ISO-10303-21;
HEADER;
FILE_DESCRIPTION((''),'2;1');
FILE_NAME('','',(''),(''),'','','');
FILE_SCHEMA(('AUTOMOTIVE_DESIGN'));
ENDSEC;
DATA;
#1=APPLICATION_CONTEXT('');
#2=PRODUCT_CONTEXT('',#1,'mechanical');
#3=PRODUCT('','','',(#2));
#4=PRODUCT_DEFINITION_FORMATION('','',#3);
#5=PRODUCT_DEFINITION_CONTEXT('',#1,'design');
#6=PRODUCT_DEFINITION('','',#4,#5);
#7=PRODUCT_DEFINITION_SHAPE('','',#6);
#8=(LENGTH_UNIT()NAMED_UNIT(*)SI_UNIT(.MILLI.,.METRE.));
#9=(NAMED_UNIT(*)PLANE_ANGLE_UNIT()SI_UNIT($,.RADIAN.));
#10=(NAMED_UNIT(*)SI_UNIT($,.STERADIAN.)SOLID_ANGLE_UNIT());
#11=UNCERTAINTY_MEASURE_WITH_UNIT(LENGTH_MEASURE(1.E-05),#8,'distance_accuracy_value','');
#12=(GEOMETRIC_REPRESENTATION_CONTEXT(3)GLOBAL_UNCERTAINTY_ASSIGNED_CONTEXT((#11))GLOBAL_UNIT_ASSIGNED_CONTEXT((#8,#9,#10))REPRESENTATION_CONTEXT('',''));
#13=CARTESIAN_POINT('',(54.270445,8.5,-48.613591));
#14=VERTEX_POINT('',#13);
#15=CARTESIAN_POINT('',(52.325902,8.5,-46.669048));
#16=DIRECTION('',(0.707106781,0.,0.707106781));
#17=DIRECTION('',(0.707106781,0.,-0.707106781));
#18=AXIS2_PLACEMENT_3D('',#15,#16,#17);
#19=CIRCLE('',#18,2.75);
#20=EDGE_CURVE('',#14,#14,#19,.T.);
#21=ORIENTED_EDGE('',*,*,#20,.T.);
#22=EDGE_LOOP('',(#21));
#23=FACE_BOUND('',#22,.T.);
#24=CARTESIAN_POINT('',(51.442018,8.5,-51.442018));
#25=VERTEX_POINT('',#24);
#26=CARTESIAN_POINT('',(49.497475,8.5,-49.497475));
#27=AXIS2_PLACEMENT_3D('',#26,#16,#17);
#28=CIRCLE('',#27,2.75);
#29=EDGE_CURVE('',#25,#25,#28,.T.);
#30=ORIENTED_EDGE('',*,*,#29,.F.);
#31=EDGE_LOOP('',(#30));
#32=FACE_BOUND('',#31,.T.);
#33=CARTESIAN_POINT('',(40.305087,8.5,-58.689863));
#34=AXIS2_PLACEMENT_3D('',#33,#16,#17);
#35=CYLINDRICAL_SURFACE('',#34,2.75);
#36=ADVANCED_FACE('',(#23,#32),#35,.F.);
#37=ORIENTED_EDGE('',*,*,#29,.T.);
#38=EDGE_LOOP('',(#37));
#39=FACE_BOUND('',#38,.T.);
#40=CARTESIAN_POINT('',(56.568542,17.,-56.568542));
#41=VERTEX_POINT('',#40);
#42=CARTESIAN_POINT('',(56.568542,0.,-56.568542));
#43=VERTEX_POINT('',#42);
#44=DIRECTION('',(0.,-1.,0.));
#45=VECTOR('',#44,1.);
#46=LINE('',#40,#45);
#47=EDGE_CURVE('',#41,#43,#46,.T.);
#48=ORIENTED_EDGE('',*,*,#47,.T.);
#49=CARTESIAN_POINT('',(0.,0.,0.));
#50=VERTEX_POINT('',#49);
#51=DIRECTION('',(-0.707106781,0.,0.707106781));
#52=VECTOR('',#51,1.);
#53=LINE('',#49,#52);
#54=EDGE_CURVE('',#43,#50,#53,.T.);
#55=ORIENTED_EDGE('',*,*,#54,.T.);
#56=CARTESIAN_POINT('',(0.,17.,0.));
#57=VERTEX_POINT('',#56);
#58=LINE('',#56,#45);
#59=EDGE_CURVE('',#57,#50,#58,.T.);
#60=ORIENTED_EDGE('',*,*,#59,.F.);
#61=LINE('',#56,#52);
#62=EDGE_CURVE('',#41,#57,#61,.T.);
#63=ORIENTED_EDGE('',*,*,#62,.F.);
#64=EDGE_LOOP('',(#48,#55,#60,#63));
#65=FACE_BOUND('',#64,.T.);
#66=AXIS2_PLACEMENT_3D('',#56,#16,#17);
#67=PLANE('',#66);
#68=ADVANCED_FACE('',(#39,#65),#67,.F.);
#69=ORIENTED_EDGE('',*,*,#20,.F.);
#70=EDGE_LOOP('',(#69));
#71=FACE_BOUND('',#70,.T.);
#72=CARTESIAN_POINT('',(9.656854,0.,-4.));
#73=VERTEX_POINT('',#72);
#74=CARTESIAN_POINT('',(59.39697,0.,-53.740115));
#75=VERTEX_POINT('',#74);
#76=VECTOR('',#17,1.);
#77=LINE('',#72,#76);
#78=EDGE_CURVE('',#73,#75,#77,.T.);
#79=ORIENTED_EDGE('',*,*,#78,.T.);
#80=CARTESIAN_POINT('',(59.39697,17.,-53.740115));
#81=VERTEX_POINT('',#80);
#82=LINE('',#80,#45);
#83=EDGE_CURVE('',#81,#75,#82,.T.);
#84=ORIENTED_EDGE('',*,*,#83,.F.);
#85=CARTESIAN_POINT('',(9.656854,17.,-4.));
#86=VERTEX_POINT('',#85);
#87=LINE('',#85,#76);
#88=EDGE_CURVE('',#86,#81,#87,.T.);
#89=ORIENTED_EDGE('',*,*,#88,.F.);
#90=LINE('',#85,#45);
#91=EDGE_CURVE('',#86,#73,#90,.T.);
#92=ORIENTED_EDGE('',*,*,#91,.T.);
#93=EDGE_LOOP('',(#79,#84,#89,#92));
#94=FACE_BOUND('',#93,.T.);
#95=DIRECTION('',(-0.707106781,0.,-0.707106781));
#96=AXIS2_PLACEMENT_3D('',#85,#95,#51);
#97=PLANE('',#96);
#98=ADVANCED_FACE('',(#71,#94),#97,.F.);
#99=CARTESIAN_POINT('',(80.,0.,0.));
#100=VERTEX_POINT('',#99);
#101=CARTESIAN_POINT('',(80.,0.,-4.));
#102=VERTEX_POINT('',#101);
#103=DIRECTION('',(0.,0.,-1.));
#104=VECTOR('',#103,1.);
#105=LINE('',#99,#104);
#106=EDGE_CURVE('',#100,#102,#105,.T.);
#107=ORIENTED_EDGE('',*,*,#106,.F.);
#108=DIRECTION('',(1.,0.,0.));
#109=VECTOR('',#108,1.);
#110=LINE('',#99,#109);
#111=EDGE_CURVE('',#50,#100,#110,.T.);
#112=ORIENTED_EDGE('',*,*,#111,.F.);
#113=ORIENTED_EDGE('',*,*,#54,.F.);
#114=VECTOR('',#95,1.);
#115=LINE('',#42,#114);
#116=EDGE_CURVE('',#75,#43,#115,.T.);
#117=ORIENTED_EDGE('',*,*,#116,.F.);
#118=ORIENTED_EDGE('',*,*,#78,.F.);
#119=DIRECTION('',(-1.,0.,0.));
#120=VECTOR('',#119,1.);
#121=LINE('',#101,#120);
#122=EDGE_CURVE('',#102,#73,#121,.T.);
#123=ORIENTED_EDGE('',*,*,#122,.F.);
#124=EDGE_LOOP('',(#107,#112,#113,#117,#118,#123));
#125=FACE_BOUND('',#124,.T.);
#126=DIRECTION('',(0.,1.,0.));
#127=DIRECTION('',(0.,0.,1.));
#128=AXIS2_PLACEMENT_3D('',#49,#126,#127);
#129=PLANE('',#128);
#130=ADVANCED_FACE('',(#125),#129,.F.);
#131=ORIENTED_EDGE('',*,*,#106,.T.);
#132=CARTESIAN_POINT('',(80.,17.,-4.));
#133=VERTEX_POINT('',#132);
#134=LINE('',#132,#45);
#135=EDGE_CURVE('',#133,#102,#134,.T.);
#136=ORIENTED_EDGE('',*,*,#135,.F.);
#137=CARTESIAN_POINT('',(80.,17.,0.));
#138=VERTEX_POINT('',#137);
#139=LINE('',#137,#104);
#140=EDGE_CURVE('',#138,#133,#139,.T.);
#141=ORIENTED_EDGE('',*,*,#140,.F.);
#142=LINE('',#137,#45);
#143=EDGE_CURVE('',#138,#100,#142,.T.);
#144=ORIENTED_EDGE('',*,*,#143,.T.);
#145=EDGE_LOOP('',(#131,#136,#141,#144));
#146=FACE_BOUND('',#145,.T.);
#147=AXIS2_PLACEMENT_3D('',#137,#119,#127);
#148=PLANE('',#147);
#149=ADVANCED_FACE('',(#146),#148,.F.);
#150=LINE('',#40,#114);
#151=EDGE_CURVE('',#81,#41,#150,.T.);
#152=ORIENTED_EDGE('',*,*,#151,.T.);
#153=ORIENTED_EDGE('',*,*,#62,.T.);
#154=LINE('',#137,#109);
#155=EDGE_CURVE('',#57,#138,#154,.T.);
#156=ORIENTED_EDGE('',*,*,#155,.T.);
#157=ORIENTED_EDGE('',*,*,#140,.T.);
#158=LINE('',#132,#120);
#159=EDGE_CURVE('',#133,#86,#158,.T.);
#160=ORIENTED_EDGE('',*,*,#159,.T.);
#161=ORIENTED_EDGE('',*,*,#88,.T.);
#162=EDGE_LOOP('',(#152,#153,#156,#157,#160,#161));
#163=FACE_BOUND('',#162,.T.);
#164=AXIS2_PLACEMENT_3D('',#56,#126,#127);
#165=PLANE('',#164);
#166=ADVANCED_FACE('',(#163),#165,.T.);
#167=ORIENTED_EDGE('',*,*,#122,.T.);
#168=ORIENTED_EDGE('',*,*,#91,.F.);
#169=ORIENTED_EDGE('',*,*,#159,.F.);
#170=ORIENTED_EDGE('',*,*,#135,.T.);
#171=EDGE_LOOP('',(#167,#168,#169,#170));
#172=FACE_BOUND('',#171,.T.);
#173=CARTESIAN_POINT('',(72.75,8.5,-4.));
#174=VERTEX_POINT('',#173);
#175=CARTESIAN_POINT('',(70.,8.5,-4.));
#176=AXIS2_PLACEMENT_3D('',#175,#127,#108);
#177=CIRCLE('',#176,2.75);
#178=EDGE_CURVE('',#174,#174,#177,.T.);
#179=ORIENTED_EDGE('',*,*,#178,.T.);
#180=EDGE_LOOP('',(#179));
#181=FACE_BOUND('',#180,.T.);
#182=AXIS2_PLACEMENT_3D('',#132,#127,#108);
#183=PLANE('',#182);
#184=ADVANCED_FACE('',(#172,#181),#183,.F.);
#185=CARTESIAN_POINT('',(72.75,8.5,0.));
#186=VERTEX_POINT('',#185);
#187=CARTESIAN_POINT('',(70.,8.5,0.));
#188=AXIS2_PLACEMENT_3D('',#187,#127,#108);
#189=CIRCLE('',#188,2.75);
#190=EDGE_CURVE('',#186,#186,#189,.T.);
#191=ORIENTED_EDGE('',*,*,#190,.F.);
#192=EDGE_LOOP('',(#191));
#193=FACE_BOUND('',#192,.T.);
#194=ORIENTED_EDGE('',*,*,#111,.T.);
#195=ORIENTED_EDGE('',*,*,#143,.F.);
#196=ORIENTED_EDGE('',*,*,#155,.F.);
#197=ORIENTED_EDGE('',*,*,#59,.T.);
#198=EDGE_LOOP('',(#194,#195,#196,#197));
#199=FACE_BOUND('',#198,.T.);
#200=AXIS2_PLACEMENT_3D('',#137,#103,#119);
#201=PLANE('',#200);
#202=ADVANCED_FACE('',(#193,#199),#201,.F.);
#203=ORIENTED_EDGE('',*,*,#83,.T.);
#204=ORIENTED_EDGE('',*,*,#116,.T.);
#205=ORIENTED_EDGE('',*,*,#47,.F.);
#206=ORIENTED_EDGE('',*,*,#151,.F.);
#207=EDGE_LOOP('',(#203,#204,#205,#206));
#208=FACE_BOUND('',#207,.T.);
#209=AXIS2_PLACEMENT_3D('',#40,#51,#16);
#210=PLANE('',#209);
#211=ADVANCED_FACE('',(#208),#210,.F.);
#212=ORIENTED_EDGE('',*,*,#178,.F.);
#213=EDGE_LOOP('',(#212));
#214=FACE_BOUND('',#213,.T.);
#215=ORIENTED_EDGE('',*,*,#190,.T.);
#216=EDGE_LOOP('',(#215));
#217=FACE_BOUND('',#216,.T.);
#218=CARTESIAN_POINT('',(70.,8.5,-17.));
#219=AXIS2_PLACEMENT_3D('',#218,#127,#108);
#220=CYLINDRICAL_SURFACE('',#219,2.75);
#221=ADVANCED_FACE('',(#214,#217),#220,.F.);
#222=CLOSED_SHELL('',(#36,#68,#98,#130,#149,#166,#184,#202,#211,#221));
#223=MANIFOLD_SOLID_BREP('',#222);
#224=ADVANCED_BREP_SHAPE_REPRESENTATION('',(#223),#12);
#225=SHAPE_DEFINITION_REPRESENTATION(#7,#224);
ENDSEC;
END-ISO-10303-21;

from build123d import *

# Parameters (mm, degrees)
EXTRUDE_1_DEPTH     = 17
SKETCH_2_R          = 2.75
CUT_EXTRUDE_1_DEPTH = 17
SKETCH_3_R          = 2.75
CUT_EXTRUDE_2_DEPTH = 17


with BuildPart() as part:
    # 草图1 → 凸台-拉伸1 (new body)
    with BuildSketch(Plane(origin=(0, 0, 0), x_dir=(1, 0, 0), z_dir=(0, 1, 0))):
        Polygon((80, 0), (0, 0), (56.568542495, 56.568542495), (59.39696962, 53.74011537), (9.656854249, 4), (80, 4), align=None)
    extrude(amount=EXTRUDE_1_DEPTH)

    # 草图2 → 切除-拉伸1 (cut)
    with BuildSketch(Plane(origin=(2.828427125, 0, 2.828427125), x_dir=(0.7071067811865476, 0, -0.7071067811865476), z_dir=(0.7071067811865476, 0, 0.7071067811865476))):
        with Locations((70, 8.5)):
            Circle(SKETCH_2_R)
    extrude(amount=-CUT_EXTRUDE_1_DEPTH, mode=Mode.SUBTRACT)

    # 草图3 → 切除-拉伸2 (cut)
    with BuildSketch(Plane.XY):
        with Locations((70, 8.5)):
            Circle(SKETCH_3_R)
    extrude(amount=-CUT_EXTRUDE_2_DEPTH, mode=Mode.SUBTRACT)


solid = part.part
